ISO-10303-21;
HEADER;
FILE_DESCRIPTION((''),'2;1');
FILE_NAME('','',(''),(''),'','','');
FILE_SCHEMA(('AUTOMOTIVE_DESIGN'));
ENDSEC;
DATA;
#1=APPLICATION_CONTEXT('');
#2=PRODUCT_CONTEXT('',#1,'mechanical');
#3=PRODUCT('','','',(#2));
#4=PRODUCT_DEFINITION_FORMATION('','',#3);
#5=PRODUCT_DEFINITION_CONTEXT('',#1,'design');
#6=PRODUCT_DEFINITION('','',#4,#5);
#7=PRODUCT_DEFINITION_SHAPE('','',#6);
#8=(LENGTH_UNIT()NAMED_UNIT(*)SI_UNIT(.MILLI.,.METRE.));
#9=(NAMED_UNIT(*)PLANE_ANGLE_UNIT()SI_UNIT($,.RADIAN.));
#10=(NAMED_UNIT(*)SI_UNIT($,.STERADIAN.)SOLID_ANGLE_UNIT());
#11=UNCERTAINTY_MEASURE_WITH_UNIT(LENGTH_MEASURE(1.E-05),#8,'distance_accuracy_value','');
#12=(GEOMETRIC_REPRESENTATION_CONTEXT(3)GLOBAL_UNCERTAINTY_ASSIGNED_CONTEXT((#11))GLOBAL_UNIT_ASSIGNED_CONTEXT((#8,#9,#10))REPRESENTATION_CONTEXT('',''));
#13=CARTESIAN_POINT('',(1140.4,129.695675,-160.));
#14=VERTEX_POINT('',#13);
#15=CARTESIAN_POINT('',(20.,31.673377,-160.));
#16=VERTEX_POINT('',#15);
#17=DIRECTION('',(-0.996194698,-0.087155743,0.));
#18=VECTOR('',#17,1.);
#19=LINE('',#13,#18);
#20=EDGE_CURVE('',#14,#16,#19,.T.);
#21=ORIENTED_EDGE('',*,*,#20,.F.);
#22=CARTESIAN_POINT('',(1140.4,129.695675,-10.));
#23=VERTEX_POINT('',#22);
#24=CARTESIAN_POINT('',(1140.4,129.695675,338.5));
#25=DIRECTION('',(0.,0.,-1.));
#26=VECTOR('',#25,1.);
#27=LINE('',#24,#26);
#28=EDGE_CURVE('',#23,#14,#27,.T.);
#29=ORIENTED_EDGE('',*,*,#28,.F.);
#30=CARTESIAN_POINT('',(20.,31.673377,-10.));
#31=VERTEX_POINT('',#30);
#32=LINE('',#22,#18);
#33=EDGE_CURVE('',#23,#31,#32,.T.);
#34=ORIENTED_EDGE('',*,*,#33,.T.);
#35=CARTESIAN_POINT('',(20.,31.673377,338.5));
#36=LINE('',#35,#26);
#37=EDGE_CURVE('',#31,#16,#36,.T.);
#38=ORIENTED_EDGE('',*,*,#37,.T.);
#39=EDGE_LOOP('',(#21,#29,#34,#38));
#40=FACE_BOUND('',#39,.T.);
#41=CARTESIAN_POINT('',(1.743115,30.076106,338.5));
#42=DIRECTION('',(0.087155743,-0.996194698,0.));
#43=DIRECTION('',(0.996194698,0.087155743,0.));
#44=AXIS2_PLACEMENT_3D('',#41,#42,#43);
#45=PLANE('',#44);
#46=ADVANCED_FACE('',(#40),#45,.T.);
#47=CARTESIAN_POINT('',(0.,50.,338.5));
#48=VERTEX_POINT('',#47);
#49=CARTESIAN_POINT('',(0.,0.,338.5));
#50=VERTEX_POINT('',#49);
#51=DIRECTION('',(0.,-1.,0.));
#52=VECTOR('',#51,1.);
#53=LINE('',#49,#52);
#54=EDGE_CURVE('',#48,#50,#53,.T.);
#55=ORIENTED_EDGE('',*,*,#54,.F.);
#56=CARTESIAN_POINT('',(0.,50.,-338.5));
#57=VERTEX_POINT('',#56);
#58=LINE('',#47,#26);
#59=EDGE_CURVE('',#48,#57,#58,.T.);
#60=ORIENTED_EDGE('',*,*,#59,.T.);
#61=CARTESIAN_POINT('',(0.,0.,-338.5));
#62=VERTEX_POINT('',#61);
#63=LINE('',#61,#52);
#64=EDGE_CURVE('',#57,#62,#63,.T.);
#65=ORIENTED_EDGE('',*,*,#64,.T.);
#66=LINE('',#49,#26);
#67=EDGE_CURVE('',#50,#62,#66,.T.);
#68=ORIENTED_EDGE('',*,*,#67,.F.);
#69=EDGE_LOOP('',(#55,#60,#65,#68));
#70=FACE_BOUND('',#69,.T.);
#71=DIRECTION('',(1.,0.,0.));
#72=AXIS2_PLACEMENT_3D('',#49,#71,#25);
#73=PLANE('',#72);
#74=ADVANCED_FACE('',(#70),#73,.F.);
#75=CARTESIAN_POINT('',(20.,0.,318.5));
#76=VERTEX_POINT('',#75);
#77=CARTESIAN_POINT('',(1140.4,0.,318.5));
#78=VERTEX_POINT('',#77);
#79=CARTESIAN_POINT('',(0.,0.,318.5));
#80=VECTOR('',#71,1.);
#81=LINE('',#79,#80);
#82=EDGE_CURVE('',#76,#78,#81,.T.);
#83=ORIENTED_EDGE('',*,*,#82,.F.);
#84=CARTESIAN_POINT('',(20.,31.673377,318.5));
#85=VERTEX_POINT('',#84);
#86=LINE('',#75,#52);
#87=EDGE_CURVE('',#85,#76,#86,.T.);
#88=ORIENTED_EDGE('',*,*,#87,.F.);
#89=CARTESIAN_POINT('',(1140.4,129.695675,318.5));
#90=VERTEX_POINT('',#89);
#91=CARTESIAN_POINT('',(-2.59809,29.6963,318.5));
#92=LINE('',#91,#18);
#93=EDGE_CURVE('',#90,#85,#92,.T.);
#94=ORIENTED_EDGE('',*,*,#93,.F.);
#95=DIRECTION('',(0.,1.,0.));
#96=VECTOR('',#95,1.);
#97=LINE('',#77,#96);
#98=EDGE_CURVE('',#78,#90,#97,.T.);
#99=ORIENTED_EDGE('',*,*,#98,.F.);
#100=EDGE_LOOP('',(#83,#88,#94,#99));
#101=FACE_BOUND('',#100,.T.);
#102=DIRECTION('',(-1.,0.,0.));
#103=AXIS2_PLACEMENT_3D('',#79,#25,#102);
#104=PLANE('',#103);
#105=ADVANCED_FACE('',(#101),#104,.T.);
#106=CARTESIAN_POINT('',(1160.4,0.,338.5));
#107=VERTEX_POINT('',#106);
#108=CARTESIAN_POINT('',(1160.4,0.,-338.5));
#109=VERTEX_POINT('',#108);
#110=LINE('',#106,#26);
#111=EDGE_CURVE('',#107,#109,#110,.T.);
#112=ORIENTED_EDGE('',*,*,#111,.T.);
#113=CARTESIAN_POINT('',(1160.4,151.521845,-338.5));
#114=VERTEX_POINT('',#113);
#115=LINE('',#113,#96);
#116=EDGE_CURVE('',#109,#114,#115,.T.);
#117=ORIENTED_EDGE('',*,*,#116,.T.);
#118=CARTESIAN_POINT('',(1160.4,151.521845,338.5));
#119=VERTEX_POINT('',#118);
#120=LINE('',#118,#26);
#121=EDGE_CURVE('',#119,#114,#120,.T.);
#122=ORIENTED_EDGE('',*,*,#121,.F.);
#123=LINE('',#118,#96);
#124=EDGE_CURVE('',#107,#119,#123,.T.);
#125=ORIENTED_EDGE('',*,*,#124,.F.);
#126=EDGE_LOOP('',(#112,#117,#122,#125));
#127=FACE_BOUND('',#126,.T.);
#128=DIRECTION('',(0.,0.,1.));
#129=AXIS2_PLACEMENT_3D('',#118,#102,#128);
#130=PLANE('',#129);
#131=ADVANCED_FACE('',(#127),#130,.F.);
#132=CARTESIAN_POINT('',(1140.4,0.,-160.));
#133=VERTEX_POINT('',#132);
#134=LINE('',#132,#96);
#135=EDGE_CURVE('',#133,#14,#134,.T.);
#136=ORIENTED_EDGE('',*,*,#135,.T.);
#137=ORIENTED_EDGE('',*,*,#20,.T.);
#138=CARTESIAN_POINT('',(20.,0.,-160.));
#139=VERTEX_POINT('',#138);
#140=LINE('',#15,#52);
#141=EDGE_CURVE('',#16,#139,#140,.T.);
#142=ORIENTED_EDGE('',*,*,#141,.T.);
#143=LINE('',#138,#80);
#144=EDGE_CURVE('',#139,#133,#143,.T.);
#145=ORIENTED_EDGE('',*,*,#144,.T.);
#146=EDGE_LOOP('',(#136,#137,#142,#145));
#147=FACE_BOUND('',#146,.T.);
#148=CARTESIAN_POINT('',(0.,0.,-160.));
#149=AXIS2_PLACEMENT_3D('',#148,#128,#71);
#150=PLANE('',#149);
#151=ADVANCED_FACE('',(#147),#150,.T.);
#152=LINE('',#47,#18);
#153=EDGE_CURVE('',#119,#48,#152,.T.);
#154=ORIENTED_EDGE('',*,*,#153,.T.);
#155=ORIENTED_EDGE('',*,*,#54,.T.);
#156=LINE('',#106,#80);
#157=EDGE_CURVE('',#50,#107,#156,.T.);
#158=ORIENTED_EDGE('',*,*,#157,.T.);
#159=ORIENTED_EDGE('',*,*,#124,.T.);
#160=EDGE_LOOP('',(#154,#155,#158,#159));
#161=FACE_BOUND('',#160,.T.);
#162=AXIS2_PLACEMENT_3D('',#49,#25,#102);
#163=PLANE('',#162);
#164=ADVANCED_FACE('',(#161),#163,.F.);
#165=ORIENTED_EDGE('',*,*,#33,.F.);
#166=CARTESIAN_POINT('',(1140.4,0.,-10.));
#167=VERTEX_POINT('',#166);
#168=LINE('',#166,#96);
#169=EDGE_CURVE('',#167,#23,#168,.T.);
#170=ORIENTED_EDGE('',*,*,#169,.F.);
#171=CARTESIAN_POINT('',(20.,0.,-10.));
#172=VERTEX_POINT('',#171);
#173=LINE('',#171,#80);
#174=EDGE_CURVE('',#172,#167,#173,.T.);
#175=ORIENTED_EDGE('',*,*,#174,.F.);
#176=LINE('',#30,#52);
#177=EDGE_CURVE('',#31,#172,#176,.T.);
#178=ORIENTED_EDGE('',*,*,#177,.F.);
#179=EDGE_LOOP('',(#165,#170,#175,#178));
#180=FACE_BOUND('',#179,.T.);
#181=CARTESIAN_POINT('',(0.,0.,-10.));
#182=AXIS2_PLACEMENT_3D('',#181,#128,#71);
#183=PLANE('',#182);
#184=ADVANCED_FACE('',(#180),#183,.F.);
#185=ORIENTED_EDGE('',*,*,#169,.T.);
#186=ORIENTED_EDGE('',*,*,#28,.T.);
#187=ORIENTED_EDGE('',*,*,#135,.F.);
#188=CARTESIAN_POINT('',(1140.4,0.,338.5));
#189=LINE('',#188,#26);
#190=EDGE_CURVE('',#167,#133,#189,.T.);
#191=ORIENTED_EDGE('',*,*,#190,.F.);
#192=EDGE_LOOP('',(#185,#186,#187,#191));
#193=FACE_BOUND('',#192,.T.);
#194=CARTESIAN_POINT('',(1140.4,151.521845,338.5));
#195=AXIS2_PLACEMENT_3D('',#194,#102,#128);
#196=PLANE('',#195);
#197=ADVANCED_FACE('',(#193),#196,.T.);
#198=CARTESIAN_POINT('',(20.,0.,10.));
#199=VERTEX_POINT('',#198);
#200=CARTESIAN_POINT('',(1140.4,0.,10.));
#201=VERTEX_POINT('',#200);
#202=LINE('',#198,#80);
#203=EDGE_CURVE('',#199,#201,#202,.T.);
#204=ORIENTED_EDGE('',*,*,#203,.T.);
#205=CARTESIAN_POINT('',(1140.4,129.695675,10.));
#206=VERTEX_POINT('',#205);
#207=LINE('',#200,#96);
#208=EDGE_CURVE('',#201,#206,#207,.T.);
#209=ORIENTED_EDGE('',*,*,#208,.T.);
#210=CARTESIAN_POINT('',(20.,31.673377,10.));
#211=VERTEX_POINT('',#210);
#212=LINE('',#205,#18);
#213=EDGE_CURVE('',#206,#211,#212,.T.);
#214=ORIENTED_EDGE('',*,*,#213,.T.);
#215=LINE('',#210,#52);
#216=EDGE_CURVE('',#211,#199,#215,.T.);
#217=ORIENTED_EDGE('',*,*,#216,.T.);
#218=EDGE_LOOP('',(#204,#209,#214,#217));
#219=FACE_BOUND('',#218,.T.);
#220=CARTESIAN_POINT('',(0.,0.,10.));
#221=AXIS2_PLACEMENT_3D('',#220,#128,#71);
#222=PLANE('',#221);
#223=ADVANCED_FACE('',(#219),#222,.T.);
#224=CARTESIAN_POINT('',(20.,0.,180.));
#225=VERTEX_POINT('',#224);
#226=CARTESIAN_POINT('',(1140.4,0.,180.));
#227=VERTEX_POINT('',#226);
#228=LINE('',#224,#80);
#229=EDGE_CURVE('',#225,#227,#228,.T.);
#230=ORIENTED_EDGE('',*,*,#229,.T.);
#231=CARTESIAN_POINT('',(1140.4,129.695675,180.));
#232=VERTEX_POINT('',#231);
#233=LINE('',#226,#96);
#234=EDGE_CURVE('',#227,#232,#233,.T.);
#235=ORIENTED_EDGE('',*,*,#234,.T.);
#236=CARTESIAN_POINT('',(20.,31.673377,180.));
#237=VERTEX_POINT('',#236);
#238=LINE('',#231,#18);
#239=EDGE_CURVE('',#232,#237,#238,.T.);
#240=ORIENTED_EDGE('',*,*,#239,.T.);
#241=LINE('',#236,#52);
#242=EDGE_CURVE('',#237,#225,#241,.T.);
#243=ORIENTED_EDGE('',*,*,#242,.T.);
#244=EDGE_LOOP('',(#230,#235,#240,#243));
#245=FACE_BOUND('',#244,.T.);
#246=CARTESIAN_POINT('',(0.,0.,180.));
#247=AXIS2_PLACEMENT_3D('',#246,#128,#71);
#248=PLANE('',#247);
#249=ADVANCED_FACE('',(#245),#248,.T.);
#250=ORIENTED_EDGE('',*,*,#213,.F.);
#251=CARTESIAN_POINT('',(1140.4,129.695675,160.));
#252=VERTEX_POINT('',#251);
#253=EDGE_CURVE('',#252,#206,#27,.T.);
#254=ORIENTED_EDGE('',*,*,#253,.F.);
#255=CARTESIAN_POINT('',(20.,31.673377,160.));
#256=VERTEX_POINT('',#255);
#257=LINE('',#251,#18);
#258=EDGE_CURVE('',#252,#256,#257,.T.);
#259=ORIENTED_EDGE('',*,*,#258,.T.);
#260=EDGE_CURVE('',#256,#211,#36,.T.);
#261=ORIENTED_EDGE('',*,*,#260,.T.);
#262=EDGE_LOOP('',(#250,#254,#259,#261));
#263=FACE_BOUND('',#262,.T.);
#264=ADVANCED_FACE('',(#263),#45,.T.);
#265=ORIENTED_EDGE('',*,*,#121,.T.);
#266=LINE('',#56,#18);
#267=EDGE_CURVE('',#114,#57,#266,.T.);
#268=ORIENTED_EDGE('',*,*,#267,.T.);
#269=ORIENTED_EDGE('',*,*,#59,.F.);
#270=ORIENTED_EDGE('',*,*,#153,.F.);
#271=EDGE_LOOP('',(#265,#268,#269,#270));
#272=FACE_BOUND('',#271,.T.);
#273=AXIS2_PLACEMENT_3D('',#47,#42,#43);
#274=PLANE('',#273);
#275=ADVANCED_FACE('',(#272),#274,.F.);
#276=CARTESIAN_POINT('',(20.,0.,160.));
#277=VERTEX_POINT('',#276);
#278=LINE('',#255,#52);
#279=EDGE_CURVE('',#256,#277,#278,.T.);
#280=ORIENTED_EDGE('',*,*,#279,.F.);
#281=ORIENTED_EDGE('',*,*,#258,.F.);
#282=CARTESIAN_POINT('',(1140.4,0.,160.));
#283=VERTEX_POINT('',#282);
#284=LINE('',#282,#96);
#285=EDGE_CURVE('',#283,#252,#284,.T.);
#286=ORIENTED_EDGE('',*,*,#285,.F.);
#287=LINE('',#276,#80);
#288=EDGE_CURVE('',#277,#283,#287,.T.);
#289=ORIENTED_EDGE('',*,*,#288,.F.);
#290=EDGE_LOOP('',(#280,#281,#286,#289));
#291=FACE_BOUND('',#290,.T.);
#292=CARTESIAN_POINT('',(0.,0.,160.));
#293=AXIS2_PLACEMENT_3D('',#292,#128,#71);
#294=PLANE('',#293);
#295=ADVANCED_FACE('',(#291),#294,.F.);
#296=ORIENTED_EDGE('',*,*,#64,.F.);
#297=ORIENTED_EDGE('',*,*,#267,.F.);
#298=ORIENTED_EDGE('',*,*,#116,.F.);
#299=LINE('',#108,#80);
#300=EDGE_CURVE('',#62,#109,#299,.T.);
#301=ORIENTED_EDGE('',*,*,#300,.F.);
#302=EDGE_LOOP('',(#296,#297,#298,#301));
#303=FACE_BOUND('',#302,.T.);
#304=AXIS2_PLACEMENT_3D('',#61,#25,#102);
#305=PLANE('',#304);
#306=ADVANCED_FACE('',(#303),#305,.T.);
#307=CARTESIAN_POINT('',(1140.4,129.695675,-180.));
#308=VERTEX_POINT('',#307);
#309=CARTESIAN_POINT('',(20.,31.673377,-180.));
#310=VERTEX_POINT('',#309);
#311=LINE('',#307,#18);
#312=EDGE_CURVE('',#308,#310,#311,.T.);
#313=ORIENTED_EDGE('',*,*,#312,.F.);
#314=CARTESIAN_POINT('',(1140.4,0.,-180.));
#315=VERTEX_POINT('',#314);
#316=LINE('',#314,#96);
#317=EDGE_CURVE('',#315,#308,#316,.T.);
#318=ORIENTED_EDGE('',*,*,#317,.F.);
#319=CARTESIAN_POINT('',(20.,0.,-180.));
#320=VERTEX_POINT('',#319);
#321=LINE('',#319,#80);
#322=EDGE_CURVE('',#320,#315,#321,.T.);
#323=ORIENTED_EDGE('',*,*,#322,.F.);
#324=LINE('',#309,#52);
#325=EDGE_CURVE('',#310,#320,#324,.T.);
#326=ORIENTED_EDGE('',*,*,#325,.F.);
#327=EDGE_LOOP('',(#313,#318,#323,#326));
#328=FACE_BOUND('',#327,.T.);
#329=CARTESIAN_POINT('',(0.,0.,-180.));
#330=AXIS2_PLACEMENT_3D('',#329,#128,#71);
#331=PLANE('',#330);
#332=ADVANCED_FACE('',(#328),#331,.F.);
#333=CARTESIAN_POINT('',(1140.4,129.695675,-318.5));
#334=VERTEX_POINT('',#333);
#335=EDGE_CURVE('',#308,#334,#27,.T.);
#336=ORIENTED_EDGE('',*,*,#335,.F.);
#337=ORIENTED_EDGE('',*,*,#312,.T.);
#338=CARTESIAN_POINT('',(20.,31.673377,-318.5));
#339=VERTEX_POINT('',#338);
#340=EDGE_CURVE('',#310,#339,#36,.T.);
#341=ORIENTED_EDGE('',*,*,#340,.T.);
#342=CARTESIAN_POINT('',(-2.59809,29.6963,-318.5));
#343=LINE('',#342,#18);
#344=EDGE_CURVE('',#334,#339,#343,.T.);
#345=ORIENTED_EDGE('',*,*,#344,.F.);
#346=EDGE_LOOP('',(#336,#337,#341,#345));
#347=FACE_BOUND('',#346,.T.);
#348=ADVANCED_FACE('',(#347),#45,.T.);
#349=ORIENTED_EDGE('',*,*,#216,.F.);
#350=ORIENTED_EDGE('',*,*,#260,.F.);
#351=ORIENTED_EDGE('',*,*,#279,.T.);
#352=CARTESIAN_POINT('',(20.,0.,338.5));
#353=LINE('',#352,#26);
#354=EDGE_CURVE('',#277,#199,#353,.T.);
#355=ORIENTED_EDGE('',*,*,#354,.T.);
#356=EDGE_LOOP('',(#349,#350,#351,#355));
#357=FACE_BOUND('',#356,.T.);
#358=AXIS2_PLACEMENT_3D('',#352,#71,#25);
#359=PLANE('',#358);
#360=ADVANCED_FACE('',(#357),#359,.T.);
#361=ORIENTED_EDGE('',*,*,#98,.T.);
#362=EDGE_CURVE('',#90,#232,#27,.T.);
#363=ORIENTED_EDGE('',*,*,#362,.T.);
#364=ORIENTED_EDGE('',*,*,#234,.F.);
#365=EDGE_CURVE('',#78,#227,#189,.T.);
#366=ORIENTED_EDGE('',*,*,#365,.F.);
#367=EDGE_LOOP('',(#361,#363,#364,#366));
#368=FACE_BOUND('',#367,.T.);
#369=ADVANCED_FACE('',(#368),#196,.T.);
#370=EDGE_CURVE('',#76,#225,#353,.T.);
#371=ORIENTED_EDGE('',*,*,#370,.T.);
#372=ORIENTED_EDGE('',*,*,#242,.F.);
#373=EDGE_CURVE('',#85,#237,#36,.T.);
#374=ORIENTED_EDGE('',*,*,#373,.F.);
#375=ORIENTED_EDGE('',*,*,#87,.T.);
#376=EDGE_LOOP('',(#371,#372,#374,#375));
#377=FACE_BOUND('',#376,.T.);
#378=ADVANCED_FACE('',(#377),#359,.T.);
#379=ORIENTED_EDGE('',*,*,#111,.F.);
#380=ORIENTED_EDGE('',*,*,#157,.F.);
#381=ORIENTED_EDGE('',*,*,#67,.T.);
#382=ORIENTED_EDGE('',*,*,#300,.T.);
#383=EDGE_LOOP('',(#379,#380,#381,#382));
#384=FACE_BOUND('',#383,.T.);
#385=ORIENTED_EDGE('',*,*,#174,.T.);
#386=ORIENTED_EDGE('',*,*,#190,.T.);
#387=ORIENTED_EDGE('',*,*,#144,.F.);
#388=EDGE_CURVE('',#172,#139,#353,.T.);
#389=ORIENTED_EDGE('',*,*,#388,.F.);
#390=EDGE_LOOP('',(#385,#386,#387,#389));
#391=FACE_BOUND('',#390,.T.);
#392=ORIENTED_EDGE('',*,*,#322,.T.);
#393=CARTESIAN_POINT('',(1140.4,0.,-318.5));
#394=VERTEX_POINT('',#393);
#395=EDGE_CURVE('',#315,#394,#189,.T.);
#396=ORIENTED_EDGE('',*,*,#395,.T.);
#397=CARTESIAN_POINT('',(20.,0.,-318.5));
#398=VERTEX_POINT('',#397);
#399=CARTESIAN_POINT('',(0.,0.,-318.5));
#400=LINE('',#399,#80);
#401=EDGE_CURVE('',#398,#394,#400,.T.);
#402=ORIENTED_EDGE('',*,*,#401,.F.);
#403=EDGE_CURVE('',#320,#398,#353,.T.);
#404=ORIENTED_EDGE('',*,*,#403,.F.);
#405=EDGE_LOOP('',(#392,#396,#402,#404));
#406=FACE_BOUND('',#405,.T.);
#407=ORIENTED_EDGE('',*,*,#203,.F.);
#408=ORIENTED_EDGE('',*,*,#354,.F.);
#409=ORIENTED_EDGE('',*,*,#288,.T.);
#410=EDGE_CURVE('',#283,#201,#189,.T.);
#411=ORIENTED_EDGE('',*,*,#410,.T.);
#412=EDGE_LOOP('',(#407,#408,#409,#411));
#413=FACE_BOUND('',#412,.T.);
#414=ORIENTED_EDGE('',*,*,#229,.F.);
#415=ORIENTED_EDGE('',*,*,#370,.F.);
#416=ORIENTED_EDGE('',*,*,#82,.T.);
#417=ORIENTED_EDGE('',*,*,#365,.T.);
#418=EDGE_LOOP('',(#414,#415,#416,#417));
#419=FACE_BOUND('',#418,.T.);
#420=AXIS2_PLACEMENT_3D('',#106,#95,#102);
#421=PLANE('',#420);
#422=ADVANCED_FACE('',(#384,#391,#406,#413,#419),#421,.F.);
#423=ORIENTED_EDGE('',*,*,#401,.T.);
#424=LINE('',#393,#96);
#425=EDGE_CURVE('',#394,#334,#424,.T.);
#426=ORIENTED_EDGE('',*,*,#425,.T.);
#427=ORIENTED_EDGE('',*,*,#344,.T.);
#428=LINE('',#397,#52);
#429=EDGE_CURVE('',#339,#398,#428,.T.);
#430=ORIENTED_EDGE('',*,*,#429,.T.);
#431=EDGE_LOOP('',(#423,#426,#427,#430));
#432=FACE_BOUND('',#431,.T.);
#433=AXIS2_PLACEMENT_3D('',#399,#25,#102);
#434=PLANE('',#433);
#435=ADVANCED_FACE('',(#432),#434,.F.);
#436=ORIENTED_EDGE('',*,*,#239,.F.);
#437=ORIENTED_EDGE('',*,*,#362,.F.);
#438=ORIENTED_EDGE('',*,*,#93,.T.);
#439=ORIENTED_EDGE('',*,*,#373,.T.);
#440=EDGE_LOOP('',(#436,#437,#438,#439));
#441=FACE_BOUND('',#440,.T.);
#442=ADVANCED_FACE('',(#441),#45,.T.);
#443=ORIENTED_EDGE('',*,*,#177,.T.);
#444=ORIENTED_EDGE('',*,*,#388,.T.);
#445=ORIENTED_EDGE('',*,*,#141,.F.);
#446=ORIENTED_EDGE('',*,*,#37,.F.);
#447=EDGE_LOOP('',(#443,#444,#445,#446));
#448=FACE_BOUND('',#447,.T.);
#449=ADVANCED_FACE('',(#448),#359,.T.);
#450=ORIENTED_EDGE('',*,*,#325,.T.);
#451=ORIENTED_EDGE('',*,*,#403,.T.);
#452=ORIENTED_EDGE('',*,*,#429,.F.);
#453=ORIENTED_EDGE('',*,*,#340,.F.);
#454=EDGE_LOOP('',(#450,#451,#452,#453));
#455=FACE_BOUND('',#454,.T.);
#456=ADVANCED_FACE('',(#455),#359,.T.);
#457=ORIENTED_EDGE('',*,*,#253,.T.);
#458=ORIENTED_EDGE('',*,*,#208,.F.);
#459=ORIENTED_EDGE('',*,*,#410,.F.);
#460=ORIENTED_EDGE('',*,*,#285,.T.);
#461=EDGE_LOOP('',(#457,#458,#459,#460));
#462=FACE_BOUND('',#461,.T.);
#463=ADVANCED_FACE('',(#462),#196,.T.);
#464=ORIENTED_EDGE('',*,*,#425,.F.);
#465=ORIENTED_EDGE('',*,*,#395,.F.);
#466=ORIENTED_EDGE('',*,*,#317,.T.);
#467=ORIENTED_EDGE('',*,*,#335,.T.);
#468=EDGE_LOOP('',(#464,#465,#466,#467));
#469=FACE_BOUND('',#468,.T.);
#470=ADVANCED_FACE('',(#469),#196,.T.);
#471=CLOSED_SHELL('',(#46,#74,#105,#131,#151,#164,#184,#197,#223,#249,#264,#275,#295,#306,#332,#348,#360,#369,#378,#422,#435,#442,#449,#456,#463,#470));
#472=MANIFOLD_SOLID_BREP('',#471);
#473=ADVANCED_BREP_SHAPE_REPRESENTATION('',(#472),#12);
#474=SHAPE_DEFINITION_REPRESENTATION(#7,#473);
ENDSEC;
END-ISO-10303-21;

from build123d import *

# Parameters (mm, degrees)
SALIENTE_EXTRUIR1_DEPTH = 338.5
VACIADO1_T              = -20
SALIENTE_EXTRUIR2_DEPTH = 10
MATRIZL1_COUNT          = 2
MATRIZL1_PITCH          = 170
MATRIZL2_COUNT          = 2
MATRIZL2_PITCH          = 170


with BuildPart() as part:
    # Croquis1 → Saliente-Extruir1 (new, symmetric)
    with BuildSketch(Plane.XY):
        Polygon((0, 0), (0, 50), (1160.4, 151.521845155), (1160.4, 0), align=None)
    extrude(amount=SALIENTE_EXTRUIR1_DEPTH, both=True)

    # Vaciado1
    vaciado1_openings = [part.faces().sort_by_distance(p)[0] for p in [
        (580.2, 0, 0),
    ]]
    offset(amount=VACIADO1_T, openings=vaciado1_openings, kind=Kind.INTERSECTION)

    # Croquis2 → Saliente-Extruir2 (add, symmetric)
    with BuildSketch(Plane.XY):
        Polygon((20, 31.67337652), (20, 0), (1140.4, 0), (1140.4, 129.695675134), align=None)
    saliente_extruir2 = extrude(amount=SALIENTE_EXTRUIR2_DEPTH, both=True)

    # MatrizL1: Saliente-Extruir2 ×2
    with Locations(*[(0, 0, i * MATRIZL1_PITCH) for i in range(1, MATRIZL1_COUNT)]):
        add(saliente_extruir2)

    # MatrizL2: Saliente-Extruir2 ×2
    with Locations(*[(0, 0, -i * MATRIZL2_PITCH) for i in range(1, MATRIZL2_COUNT)]):
        add(saliente_extruir2)


solid = part.part
